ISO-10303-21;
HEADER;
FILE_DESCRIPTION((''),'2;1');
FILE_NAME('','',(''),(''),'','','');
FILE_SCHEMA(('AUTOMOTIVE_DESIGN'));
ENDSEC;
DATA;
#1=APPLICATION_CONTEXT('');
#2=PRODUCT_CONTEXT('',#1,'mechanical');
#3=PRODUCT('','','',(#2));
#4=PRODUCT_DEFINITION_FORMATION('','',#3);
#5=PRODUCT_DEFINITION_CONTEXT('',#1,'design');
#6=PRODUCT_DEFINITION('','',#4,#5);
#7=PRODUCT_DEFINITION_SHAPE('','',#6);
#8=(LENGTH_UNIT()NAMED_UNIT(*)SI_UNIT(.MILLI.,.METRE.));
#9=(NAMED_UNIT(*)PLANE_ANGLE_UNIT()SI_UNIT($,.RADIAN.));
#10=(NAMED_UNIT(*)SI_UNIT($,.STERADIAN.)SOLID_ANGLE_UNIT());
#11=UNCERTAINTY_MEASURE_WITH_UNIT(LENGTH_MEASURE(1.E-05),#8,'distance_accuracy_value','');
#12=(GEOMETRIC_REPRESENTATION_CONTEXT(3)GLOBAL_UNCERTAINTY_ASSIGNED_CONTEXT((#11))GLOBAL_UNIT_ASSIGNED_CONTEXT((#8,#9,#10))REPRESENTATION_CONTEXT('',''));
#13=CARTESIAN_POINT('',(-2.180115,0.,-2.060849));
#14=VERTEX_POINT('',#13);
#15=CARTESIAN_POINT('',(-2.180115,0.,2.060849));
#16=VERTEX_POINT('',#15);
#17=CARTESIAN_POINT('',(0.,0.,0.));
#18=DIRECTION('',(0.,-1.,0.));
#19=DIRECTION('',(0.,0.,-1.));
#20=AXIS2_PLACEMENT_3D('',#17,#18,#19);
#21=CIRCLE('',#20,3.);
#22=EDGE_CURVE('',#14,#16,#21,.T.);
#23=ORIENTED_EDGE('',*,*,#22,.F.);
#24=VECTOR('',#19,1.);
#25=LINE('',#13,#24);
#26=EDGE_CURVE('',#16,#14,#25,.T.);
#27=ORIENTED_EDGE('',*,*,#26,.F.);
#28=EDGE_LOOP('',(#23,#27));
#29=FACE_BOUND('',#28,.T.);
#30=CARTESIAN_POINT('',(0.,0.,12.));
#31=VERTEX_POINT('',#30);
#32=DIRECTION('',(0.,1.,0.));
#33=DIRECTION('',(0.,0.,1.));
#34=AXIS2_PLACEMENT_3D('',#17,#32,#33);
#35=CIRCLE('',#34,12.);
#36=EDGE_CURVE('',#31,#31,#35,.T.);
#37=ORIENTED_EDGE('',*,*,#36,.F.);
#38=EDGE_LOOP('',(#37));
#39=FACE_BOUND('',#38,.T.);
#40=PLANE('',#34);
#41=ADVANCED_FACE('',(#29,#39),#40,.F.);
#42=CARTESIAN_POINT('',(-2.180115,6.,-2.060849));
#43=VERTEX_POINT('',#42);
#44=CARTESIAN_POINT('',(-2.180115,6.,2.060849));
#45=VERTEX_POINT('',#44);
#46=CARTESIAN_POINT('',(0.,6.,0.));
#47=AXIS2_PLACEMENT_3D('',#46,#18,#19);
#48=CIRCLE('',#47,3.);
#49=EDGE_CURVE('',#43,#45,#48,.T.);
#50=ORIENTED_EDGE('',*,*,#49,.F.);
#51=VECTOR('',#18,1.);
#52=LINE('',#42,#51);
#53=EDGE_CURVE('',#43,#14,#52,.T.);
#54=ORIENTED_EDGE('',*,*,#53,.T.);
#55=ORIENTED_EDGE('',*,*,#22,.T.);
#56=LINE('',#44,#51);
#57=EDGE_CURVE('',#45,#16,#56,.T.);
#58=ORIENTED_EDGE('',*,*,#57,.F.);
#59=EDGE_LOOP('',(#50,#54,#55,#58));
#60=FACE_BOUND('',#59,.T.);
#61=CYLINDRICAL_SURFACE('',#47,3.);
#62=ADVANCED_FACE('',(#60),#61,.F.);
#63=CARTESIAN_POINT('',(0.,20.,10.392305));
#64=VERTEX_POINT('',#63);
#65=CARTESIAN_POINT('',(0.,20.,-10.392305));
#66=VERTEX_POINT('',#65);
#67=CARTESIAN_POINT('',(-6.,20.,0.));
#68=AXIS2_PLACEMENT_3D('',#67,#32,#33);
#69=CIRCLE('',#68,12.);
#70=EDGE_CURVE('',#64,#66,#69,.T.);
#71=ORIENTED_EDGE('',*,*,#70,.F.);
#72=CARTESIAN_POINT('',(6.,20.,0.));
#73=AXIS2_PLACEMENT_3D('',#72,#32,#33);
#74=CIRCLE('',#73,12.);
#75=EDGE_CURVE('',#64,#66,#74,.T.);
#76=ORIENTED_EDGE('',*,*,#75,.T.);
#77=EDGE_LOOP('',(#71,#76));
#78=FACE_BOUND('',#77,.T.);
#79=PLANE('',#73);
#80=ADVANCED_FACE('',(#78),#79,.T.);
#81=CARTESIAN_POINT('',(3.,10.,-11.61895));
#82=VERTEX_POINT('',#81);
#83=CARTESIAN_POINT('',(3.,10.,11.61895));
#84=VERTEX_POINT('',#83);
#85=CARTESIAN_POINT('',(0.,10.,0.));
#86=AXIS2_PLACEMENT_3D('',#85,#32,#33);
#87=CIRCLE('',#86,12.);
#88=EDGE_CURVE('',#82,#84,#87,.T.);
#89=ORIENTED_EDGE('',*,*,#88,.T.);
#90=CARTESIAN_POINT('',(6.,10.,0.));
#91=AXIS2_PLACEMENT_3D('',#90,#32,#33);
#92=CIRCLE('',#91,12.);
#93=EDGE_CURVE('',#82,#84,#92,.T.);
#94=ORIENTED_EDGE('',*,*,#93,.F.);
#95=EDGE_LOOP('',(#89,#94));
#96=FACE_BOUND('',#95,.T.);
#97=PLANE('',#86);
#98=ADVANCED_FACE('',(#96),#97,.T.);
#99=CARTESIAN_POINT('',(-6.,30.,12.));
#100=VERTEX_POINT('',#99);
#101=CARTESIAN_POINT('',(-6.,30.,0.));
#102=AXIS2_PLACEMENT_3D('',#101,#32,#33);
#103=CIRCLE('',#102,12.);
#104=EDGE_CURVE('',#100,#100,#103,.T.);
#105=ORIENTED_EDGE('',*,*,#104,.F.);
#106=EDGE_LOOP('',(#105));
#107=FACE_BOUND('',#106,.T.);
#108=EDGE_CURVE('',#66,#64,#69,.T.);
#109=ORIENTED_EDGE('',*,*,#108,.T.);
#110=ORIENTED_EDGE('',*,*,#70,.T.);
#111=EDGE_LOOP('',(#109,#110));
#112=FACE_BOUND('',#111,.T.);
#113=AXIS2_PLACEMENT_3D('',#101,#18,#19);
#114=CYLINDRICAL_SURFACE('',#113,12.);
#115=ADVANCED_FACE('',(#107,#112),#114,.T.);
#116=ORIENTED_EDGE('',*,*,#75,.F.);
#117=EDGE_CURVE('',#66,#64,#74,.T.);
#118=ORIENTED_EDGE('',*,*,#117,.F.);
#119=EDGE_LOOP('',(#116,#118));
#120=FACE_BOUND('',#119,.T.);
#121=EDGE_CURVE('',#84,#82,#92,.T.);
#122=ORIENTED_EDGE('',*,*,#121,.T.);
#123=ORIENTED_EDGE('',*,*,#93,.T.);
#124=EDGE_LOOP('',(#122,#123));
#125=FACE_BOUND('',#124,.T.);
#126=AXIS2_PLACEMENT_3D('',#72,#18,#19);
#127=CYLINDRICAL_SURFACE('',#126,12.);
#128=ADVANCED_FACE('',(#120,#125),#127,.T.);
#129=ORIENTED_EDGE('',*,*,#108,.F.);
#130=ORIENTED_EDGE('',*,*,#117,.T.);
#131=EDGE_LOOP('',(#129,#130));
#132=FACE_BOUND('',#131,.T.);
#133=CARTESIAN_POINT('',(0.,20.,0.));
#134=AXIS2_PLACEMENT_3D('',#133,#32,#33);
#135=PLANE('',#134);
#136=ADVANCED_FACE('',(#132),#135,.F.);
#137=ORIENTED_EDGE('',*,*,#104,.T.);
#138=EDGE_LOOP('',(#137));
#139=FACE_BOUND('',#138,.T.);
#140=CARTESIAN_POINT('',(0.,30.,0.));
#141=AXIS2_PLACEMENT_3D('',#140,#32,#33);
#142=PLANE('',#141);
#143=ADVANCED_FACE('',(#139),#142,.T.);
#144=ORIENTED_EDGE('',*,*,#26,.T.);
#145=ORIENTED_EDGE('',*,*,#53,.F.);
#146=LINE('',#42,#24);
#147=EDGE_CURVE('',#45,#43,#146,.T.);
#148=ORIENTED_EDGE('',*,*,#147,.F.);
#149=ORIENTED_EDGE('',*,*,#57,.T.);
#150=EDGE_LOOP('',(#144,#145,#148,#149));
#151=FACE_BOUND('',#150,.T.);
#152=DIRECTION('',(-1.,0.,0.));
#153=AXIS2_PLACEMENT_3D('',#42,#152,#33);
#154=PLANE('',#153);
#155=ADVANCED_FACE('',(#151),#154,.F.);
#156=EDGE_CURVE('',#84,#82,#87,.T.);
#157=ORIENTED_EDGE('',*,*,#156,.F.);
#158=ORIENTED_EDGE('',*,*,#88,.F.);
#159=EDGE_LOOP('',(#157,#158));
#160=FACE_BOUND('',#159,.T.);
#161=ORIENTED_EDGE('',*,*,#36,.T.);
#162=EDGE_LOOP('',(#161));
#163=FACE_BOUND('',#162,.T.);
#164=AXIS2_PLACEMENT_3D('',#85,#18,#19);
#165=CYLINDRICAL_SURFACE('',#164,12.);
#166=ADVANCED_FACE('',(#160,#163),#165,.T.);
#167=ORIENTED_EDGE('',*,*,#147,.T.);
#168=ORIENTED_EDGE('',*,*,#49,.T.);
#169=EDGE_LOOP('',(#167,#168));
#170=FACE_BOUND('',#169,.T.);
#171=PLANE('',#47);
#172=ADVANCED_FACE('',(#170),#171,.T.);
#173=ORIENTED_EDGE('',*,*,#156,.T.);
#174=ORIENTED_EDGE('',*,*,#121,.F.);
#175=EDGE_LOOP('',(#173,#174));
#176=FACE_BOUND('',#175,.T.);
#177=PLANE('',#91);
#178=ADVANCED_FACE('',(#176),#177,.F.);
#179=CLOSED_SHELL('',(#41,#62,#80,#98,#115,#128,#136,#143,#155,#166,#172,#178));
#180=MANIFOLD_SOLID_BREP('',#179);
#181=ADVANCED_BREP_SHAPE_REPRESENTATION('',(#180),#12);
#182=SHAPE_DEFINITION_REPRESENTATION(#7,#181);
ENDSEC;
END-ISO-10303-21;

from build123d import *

# Parameters (mm, degrees)
SKETCH1_R           = 12
BOSS_EXTRUDE1_DEPTH = 10
SKETCH2_R           = 12
BOSS_EXTRUDE2_DEPTH = 10
SKETCH3_R           = 12
BOSS_EXTRUDE3_DEPTH = 10
CUT_EXTRUDE1_DEPTH  = 6


with BuildPart() as part:
    # Sketch1 → Boss-Extrude1 (new body)
    with BuildSketch(Plane(origin=(0, 0, 0), x_dir=(1, 0, 0), z_dir=(0, 1, 0))):
        with Locations(Location((0, 0, 0), (0, 0, 270))):
            Circle(SKETCH1_R)
    extrude(amount=BOSS_EXTRUDE1_DEPTH)

    # Sketch2 → Boss-Extrude2 (add)
    with BuildSketch(Plane(origin=(0, 10, 0), x_dir=(1, 0, 0), z_dir=(0, 1, 0))):
        with Locations(Location((6, 0, 0), (0, 0, 104.477512186))):
            Circle(SKETCH2_R)
    extrude(amount=BOSS_EXTRUDE2_DEPTH)

    # Sketch3 → Boss-Extrude3 (add)
    with BuildSketch(Plane(origin=(0, 20, 0), x_dir=(1, 0, 0), z_dir=(0, 1, 0))):
        with Locations(Location((-6, 0, 0), (0, 0, 60))):
            Circle(SKETCH3_R)
    extrude(amount=BOSS_EXTRUDE3_DEPTH)

    # Sketch4 → Cut-Extrude1 (cut)
    with BuildSketch(Plane.XZ):
        with BuildLine():
            Line((-2.180114967, -2.060849032), (-2.180114967, 2.060849032))
            ThreePointArc((-2.180114967, 2.060849032), (3, 0), (-2.180114967, -2.060849032))
        make_face()
    extrude(amount=-CUT_EXTRUDE1_DEPTH, mode=Mode.SUBTRACT)


solid = part.part
